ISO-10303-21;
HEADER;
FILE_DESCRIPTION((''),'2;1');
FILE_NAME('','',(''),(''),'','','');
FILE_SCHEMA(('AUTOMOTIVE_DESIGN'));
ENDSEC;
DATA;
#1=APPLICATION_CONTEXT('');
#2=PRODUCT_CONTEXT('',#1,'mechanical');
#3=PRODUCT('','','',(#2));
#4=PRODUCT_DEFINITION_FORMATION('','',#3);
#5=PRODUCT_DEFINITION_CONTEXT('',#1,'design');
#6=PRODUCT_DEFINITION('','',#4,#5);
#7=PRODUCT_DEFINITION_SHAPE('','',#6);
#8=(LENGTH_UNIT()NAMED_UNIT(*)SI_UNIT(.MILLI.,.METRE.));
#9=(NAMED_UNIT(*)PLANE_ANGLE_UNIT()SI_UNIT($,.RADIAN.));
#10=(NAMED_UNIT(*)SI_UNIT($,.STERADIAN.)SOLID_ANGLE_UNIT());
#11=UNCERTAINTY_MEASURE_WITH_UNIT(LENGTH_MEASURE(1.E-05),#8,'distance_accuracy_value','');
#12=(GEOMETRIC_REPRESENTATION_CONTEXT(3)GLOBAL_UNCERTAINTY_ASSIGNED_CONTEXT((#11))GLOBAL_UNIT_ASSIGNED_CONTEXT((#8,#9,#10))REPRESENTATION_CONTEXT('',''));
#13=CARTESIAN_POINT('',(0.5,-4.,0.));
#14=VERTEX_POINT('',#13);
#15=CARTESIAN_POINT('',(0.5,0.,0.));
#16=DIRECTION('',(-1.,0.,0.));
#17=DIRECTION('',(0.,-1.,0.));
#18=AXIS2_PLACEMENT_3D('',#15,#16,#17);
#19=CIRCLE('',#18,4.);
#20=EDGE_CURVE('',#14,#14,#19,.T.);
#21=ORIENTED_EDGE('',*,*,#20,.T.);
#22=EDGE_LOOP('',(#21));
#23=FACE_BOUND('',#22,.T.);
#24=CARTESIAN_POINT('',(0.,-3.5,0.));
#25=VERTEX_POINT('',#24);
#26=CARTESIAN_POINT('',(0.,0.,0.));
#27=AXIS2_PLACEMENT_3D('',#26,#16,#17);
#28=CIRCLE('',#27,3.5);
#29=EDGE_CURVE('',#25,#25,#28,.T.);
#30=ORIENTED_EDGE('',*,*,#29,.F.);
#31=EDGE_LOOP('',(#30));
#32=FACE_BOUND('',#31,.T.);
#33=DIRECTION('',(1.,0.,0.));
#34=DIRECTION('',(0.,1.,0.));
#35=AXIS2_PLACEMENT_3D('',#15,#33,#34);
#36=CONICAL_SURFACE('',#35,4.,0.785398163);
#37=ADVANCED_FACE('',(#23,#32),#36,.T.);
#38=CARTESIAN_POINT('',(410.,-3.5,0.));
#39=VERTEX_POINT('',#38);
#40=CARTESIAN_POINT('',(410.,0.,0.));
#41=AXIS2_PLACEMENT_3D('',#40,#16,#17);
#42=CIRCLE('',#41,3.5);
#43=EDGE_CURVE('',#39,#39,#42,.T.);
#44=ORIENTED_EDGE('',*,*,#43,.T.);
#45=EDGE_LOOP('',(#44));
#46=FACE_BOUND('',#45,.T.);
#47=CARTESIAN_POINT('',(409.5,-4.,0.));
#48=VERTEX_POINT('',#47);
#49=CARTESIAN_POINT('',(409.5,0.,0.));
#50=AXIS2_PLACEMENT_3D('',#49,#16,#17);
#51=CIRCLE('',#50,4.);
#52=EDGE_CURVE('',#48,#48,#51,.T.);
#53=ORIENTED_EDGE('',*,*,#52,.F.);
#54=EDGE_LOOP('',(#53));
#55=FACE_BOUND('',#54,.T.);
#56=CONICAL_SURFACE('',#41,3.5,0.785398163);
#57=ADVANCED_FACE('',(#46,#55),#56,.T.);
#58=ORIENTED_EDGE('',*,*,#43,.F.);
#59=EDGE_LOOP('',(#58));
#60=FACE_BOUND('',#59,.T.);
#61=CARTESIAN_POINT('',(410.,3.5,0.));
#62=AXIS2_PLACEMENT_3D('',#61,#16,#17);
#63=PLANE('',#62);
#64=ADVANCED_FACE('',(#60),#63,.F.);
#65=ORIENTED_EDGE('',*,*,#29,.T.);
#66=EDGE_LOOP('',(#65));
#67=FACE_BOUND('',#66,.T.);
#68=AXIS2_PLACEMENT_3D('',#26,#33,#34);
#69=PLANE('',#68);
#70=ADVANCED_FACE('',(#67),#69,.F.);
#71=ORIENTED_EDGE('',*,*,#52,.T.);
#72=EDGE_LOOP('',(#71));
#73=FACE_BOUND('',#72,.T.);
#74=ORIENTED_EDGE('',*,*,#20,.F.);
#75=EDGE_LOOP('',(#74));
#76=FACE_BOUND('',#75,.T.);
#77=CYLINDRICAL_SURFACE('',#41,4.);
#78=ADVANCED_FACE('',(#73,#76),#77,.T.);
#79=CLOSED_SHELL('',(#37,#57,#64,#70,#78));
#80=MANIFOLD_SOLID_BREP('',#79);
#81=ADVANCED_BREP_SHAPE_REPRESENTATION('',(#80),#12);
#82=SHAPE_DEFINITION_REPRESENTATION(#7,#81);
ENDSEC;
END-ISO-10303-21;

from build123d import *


with BuildPart() as part:
    # Sketch1 → Revolve1 (revolve)
    with BuildSketch(Plane.XY, mode=Mode.PRIVATE) as revolve1_sk:
        Polygon((0, 0), (0, 3.5), (0.5, 4), (409.5, 4), (410, 3.5), (410, 0), align=None)
    revolve(revolve1_sk.sketch.rotate(Axis((410, 0, 0), (-1, 0, 0)), 180), axis=Axis((410, 0, 0), (-1, 0, 0)))


solid = part.part
